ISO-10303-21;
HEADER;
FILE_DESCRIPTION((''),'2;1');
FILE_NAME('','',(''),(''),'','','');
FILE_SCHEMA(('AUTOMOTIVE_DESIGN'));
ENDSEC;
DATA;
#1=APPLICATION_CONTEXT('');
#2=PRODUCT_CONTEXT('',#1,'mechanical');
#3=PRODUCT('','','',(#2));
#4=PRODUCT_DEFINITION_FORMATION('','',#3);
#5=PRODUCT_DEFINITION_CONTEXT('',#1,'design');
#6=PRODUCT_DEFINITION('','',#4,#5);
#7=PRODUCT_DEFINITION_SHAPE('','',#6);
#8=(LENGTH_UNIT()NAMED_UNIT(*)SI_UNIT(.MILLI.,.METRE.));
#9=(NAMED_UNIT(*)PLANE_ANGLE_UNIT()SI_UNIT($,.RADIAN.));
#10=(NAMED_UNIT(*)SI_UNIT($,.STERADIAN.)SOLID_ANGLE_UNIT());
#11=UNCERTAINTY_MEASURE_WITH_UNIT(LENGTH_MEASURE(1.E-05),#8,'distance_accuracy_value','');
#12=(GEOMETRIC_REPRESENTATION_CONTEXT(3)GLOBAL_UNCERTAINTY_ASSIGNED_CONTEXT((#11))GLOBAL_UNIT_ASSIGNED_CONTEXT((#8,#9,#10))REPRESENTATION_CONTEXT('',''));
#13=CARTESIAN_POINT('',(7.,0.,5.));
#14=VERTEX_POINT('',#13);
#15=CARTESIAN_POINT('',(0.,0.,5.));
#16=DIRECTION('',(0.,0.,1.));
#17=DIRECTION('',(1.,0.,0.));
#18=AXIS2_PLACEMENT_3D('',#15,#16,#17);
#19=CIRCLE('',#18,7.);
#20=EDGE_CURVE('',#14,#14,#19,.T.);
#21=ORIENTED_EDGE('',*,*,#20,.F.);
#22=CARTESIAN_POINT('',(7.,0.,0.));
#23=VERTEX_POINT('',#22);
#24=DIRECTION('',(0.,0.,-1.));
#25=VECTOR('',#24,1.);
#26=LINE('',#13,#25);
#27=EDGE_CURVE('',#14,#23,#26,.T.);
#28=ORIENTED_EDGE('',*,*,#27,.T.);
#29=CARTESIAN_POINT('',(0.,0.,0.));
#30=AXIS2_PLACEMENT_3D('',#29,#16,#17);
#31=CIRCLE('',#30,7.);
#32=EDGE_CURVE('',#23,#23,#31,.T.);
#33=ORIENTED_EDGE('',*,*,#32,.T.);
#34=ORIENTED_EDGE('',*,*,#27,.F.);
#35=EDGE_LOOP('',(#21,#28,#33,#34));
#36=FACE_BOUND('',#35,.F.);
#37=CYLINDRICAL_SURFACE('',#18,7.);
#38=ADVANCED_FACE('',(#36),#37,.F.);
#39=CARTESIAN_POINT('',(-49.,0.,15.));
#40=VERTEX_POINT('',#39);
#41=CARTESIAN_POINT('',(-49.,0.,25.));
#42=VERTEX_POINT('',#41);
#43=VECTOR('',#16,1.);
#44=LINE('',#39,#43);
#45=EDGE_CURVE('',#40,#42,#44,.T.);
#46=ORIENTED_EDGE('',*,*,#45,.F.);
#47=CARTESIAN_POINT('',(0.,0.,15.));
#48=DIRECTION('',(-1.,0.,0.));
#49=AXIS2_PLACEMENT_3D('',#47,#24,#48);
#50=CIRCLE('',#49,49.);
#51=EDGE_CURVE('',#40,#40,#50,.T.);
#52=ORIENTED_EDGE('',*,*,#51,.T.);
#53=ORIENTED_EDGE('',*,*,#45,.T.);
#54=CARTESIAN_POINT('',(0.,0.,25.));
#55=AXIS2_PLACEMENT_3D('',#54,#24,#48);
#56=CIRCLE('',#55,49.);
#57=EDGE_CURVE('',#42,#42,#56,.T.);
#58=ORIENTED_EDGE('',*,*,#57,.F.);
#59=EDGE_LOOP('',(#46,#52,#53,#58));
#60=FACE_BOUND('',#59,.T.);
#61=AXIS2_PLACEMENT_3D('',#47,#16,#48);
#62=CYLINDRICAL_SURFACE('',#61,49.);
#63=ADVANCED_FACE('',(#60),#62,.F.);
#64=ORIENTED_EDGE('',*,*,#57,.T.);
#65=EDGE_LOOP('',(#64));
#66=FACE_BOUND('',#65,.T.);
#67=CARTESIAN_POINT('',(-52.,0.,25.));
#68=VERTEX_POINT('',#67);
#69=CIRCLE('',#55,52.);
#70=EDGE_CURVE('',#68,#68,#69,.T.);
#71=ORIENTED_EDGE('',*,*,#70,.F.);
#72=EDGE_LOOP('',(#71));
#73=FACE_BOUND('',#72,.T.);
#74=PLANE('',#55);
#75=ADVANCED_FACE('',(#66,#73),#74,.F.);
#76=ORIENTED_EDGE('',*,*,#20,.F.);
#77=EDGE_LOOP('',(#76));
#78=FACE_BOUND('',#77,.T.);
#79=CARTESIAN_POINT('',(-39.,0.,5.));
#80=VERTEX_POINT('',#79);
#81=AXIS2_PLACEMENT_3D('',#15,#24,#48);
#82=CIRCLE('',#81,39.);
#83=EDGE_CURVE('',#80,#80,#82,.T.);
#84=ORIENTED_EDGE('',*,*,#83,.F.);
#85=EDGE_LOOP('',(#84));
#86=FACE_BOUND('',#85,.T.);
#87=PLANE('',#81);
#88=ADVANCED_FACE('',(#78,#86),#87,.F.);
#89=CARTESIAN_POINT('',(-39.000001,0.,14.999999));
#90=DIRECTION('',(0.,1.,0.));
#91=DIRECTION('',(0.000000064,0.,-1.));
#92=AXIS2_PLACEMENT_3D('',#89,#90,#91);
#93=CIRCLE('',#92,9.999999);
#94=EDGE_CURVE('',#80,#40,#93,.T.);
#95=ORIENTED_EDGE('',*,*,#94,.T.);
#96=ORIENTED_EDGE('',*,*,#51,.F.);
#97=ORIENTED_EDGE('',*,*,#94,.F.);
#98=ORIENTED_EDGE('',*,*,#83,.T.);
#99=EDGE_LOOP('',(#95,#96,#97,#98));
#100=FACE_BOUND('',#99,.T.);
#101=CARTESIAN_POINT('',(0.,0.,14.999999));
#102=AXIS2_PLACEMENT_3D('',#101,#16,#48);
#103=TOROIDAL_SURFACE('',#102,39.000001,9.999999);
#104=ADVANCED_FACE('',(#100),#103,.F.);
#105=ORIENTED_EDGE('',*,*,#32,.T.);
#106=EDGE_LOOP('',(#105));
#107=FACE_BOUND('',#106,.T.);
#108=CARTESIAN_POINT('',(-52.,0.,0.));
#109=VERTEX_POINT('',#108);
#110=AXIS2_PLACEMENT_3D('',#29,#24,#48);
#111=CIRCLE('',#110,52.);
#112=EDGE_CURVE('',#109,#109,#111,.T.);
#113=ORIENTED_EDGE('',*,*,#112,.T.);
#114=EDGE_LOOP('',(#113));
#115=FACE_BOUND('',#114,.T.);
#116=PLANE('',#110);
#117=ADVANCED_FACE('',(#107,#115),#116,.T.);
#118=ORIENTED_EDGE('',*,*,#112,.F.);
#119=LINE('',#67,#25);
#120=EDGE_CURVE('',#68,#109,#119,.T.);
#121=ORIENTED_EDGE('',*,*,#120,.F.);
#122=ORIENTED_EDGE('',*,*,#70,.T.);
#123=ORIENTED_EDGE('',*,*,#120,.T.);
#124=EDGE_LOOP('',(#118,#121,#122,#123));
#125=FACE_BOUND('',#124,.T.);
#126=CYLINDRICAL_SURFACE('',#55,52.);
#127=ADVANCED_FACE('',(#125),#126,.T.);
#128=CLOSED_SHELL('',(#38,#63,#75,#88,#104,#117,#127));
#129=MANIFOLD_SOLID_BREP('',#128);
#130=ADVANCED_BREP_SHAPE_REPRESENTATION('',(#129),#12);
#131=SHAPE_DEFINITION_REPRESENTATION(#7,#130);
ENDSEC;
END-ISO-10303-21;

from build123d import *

# Parameters (mm, degrees)
F2_R     = 7
F3_DEPTH = 25


with BuildPart() as f1:
    # F0 (on Front) → F1 (revolve)
    with BuildSketch(Plane.XZ):
        with BuildLine():
            Line((0, 0), (0, 5))
            Line((0, 5), (-39, 5))
            ThreePointArc((-39, 5), (-46.071068, 7.928932), (-49, 15))
            Line((-49, 15), (-49, 25))
            Line((-49, 25), (-52, 25))
            Line((-52, 25), (-52, 0))
            Line((-52, 0), (0, 0))
        make_face()
    revolve(axis=Axis((0, 0, 2.36842), (0, 0, -1)))

    # F2 (on face) → F3 (cut)
    with BuildSketch(Plane.XY.offset(5)):
        Circle(F2_R)
    extrude(amount=-F3_DEPTH, mode=Mode.SUBTRACT)


solid = f1.part
